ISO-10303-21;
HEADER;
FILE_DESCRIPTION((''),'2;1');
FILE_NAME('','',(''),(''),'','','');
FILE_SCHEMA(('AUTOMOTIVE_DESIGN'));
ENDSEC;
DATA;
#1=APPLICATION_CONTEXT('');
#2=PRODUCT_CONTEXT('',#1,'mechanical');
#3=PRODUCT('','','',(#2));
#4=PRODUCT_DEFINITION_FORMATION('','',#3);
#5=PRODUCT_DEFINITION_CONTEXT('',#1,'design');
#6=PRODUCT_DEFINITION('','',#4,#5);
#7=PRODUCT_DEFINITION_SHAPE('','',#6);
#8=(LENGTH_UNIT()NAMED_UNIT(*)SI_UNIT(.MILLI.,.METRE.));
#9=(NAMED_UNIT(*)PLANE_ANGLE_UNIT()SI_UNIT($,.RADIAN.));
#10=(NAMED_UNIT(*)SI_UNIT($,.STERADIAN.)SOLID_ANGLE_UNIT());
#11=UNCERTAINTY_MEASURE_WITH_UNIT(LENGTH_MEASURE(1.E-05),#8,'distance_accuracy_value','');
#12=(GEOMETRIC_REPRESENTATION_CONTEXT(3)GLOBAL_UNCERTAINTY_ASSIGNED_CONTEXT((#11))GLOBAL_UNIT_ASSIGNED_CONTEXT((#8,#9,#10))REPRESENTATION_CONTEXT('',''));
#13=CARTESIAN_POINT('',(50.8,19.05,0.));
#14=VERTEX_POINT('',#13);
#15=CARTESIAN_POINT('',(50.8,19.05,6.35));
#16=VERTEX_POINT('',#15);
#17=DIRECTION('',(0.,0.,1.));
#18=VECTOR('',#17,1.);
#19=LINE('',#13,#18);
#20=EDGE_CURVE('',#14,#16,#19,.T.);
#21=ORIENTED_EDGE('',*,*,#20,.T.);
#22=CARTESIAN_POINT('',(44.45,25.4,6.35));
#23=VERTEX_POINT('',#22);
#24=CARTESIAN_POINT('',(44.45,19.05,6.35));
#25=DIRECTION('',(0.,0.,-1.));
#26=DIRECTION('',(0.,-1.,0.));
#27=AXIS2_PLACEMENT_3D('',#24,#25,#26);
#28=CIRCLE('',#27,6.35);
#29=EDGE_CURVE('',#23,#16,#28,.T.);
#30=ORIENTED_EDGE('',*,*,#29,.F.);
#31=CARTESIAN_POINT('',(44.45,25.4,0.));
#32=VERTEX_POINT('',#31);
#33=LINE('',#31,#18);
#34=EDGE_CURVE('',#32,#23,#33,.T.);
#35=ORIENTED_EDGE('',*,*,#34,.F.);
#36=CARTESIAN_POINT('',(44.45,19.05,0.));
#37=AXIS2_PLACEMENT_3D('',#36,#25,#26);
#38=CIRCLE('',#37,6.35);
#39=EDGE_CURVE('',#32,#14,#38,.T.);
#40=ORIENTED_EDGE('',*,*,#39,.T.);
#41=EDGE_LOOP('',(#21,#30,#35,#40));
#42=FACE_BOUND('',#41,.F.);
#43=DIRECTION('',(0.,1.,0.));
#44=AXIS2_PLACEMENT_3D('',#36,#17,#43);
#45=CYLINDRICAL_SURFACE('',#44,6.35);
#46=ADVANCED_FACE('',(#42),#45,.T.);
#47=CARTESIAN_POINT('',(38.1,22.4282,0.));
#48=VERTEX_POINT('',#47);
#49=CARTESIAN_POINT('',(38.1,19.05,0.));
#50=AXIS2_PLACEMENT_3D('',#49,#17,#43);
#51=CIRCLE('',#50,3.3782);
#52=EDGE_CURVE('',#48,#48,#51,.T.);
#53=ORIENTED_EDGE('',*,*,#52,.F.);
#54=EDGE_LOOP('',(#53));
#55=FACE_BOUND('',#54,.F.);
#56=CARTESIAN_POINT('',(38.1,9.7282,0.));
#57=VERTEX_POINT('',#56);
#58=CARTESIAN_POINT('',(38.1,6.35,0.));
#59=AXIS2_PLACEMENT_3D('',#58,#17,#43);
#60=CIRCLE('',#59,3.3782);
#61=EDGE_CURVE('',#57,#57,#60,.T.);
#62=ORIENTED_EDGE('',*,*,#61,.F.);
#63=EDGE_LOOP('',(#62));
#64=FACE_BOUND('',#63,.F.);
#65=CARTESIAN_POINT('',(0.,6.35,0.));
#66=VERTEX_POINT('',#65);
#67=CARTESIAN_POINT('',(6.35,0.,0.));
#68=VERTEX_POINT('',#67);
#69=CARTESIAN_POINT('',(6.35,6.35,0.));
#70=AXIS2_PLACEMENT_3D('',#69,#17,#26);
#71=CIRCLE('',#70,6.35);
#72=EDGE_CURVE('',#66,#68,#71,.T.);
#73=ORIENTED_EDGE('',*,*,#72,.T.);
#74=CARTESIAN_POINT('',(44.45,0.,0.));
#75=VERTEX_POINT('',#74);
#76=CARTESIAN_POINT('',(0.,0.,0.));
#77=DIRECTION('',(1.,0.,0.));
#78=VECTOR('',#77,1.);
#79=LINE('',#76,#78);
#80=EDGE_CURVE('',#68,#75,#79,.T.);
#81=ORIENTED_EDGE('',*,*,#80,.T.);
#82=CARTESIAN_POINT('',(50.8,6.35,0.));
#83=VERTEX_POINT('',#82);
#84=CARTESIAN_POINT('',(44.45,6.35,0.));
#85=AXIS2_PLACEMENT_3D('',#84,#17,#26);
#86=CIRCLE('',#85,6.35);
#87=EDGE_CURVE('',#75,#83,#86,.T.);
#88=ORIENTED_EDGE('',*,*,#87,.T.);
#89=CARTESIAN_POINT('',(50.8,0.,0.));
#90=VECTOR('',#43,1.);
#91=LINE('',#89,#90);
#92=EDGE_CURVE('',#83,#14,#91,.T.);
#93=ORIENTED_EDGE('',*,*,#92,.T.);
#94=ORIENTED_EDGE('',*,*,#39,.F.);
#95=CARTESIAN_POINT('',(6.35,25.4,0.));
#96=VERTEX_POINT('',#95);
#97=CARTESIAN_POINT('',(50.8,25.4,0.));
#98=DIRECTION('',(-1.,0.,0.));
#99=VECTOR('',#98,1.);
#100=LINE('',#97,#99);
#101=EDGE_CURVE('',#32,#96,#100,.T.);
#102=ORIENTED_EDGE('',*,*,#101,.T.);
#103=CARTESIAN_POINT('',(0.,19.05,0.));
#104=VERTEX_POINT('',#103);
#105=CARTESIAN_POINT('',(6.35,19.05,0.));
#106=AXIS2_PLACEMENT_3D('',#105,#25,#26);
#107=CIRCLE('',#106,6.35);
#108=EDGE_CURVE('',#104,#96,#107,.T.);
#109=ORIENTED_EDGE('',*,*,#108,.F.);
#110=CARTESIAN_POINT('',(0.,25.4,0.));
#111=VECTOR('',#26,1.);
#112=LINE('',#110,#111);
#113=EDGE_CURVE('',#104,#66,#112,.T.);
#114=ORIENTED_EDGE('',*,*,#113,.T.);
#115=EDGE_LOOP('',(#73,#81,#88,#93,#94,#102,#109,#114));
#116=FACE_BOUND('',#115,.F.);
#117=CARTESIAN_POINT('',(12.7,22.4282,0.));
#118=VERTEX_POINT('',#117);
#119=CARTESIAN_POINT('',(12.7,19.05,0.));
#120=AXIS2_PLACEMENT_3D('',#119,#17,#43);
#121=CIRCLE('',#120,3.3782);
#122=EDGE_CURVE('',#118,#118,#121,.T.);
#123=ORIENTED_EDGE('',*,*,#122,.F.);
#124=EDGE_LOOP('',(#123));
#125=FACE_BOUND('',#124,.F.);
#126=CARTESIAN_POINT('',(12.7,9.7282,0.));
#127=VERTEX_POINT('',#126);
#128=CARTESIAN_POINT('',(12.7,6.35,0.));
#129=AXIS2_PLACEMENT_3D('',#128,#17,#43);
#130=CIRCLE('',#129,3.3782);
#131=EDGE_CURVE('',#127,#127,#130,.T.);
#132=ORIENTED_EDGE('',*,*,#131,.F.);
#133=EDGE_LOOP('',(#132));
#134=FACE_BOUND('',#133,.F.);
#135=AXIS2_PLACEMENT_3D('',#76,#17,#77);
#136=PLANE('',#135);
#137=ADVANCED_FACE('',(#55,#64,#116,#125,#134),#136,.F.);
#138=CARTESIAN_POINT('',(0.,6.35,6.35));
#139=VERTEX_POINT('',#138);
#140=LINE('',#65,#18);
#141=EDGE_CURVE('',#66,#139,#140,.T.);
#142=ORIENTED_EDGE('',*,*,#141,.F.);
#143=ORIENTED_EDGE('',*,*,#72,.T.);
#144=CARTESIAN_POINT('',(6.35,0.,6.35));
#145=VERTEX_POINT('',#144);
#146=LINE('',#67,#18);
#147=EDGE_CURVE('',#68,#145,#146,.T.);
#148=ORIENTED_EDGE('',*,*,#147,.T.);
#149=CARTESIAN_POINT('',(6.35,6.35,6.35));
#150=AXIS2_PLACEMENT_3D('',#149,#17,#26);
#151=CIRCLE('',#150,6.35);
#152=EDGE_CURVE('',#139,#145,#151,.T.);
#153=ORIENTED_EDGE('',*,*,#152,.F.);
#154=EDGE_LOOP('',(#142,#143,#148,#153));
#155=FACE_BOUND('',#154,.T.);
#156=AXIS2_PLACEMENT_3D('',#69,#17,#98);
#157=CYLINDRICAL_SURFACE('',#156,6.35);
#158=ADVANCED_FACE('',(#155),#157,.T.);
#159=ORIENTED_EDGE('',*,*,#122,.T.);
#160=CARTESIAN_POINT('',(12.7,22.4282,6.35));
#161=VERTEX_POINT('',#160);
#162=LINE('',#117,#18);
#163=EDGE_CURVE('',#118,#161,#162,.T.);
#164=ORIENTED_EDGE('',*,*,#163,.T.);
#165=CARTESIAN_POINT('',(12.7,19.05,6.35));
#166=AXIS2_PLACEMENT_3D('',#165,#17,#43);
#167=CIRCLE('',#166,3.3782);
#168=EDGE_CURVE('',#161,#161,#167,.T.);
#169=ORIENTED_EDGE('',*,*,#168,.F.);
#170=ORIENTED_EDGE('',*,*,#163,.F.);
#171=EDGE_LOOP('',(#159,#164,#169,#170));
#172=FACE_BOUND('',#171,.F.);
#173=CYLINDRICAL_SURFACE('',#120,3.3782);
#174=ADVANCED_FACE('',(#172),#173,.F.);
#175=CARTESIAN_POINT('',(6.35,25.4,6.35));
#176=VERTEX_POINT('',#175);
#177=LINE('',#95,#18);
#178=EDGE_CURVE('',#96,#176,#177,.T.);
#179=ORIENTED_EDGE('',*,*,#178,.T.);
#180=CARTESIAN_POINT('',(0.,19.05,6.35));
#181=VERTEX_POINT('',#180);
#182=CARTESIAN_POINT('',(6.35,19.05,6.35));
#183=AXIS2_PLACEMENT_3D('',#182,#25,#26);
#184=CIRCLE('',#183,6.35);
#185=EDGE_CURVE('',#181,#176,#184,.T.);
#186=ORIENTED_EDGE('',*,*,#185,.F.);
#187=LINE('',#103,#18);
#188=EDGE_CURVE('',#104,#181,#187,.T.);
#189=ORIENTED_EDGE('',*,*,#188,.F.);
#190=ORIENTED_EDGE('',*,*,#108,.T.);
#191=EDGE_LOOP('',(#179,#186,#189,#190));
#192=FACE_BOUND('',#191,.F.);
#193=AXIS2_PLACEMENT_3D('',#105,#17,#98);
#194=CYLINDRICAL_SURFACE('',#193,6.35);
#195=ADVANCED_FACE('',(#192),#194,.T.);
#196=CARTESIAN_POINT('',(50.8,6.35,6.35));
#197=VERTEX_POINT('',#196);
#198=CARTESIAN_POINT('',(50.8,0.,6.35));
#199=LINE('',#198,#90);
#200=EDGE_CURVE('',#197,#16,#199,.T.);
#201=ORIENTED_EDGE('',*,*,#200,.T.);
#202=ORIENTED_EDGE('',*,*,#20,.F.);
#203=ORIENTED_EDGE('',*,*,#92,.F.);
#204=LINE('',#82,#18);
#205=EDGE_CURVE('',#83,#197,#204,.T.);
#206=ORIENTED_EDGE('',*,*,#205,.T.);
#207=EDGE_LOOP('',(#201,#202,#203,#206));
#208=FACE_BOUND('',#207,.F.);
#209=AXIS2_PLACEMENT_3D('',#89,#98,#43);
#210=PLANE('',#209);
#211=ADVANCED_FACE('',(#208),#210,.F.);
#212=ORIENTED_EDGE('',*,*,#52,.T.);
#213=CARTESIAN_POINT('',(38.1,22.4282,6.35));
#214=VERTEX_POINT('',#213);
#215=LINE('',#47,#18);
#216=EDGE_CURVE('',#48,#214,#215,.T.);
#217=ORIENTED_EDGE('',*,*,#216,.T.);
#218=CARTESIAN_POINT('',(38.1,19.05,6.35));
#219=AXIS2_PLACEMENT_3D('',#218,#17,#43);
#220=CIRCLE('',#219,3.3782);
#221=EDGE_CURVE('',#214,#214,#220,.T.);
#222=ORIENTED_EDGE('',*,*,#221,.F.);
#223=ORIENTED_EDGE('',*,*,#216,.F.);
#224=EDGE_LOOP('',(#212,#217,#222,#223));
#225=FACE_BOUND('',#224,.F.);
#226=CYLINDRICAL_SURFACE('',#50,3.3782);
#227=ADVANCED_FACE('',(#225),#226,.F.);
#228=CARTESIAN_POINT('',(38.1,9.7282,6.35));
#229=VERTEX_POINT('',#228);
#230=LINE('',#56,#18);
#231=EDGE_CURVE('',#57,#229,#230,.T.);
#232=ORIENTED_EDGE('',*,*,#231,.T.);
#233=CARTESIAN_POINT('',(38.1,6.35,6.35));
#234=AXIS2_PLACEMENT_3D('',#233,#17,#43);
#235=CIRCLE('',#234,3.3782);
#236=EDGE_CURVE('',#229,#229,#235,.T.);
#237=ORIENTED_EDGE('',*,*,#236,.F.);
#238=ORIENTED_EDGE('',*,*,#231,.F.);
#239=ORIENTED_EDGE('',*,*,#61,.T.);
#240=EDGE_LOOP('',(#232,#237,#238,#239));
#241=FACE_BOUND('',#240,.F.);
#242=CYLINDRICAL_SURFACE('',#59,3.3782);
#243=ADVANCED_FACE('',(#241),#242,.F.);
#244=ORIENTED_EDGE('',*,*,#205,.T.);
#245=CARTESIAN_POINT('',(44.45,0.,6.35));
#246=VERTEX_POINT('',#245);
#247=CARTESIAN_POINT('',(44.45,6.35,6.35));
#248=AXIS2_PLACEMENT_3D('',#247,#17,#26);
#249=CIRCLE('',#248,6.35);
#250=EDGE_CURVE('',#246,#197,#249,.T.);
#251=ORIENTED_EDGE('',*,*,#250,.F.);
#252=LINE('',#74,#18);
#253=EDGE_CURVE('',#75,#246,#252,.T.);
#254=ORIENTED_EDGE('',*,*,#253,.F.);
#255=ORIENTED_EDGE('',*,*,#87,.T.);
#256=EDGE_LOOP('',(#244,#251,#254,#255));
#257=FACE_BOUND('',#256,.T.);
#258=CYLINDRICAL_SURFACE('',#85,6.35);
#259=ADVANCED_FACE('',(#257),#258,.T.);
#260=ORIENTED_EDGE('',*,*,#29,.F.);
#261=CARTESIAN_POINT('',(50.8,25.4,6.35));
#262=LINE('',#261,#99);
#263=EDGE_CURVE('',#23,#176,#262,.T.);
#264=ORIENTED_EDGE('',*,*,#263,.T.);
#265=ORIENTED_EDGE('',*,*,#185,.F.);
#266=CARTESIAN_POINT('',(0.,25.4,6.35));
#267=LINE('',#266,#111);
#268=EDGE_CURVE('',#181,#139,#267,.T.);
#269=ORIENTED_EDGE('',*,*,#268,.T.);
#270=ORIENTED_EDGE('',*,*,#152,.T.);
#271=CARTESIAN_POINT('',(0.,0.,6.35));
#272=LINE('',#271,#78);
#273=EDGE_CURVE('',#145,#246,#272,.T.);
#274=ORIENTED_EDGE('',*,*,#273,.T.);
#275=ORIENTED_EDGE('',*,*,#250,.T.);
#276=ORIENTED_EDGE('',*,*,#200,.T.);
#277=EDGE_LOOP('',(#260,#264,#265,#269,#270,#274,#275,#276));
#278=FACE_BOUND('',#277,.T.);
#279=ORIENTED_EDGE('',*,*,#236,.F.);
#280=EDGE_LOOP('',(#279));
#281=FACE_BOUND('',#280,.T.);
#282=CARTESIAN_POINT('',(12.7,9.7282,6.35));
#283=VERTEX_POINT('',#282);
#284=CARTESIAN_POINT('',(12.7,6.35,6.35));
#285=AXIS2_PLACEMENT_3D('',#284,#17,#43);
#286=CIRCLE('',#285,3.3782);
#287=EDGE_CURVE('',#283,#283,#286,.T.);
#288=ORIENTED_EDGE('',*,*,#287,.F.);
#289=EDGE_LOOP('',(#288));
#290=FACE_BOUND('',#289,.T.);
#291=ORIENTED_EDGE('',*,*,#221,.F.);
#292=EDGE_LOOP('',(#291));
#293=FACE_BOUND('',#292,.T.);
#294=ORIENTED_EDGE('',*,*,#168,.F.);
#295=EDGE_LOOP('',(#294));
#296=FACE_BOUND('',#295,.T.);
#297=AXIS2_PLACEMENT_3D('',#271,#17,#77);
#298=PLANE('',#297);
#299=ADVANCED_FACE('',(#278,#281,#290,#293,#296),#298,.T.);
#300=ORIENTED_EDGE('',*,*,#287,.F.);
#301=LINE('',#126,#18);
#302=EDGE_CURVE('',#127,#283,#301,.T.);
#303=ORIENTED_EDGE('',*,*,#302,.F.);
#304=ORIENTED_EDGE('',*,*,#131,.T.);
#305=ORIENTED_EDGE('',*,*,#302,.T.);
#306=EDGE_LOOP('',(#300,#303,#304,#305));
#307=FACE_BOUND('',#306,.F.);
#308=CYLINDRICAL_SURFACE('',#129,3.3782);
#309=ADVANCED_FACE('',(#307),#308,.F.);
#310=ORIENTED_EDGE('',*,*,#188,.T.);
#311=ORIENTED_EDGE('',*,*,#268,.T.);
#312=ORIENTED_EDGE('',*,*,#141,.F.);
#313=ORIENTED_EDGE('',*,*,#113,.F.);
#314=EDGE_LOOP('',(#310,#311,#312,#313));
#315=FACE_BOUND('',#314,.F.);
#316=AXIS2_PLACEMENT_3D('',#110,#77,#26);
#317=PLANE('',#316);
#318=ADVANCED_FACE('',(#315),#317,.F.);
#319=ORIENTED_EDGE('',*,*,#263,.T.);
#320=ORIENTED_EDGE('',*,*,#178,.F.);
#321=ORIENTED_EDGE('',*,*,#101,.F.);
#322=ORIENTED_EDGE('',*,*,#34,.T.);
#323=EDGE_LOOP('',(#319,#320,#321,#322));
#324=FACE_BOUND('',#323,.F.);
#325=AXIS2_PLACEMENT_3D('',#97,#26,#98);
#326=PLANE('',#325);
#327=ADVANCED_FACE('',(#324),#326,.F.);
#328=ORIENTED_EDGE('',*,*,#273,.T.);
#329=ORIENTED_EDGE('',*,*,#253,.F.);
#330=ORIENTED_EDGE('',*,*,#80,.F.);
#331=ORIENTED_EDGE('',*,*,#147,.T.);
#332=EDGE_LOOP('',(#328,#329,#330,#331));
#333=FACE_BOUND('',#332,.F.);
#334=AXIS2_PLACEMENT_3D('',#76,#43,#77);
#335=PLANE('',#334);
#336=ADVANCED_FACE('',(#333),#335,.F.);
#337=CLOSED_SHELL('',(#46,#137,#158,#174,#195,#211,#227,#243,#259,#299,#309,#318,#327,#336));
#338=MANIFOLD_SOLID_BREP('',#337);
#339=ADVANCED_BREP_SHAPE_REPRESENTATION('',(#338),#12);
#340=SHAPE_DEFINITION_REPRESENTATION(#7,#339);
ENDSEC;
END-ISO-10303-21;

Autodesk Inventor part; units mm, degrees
ref_plane "YZ Plane" through (0, 0, 0) normal (1, 0, 0) x (0, 1, 0)
ref_plane "XZ Plane" through (0, 0, 0) normal (0, 1, 0) x (-1, 0, 0)
ref_plane "XY Plane" through (0, 0, 0) normal (0, 0, 1) x (1, 0, 0)
sketch "Sketch1" plane through (0, 0, 0) normal (0, 0, 1) x (1, 0, 0)
  line L0 (0, 0) -> (50.8, 0)
  line L1 (50.8, 0) -> (50.8, 25.4)
  line L2 (50.8, 25.4) -> (0, 25.4)
  line L3 (0, 25.4) -> (0, 0)
  line L4 (25.4, 12.7) -> (25.4, 19.05)
  line L5 (25.4, 19.05) -> (38.1, 19.05)
  line L6 (38.1, 19.05) -> (12.7, 19.05)
  line L7 (12.7, 19.05) -> (12.7, 6.35)
  line L8 (12.7, 6.35) -> (38.1, 6.35)
  dimension "d0" = 50.8
  dimension "d1" = 25.4
  dimension "d2" = 6.35
  dimension "d3" = 12.7
  dimension "d4" = 25.4
  dimension "d5" = 12.7
  dimension "d6" = 25.4
extrude "Extrusion1" add sketch "Sketch1" along normal blind 6.35
hole "Hole1" at (38.1, 19.05, 0) at (38.1, 6.35, 0) at (12.7, 6.35, 0) at (12.7, 19.05, 0) direction (0, 0, 1) diameter 6.7564 end through all clearance for "Socket Head Cap Screw" size "1/4" standard "Ansi Unified Screw Threads"
fillet "Fillet1" radius 6.35 4 edges at (50.8, 25.4, 3.175) (50.8, 0, 3.175) (0, 25.4, 3.175) (0, 0, 3.175)
properties part number "WellPlateFrame-AssemblyClip"
